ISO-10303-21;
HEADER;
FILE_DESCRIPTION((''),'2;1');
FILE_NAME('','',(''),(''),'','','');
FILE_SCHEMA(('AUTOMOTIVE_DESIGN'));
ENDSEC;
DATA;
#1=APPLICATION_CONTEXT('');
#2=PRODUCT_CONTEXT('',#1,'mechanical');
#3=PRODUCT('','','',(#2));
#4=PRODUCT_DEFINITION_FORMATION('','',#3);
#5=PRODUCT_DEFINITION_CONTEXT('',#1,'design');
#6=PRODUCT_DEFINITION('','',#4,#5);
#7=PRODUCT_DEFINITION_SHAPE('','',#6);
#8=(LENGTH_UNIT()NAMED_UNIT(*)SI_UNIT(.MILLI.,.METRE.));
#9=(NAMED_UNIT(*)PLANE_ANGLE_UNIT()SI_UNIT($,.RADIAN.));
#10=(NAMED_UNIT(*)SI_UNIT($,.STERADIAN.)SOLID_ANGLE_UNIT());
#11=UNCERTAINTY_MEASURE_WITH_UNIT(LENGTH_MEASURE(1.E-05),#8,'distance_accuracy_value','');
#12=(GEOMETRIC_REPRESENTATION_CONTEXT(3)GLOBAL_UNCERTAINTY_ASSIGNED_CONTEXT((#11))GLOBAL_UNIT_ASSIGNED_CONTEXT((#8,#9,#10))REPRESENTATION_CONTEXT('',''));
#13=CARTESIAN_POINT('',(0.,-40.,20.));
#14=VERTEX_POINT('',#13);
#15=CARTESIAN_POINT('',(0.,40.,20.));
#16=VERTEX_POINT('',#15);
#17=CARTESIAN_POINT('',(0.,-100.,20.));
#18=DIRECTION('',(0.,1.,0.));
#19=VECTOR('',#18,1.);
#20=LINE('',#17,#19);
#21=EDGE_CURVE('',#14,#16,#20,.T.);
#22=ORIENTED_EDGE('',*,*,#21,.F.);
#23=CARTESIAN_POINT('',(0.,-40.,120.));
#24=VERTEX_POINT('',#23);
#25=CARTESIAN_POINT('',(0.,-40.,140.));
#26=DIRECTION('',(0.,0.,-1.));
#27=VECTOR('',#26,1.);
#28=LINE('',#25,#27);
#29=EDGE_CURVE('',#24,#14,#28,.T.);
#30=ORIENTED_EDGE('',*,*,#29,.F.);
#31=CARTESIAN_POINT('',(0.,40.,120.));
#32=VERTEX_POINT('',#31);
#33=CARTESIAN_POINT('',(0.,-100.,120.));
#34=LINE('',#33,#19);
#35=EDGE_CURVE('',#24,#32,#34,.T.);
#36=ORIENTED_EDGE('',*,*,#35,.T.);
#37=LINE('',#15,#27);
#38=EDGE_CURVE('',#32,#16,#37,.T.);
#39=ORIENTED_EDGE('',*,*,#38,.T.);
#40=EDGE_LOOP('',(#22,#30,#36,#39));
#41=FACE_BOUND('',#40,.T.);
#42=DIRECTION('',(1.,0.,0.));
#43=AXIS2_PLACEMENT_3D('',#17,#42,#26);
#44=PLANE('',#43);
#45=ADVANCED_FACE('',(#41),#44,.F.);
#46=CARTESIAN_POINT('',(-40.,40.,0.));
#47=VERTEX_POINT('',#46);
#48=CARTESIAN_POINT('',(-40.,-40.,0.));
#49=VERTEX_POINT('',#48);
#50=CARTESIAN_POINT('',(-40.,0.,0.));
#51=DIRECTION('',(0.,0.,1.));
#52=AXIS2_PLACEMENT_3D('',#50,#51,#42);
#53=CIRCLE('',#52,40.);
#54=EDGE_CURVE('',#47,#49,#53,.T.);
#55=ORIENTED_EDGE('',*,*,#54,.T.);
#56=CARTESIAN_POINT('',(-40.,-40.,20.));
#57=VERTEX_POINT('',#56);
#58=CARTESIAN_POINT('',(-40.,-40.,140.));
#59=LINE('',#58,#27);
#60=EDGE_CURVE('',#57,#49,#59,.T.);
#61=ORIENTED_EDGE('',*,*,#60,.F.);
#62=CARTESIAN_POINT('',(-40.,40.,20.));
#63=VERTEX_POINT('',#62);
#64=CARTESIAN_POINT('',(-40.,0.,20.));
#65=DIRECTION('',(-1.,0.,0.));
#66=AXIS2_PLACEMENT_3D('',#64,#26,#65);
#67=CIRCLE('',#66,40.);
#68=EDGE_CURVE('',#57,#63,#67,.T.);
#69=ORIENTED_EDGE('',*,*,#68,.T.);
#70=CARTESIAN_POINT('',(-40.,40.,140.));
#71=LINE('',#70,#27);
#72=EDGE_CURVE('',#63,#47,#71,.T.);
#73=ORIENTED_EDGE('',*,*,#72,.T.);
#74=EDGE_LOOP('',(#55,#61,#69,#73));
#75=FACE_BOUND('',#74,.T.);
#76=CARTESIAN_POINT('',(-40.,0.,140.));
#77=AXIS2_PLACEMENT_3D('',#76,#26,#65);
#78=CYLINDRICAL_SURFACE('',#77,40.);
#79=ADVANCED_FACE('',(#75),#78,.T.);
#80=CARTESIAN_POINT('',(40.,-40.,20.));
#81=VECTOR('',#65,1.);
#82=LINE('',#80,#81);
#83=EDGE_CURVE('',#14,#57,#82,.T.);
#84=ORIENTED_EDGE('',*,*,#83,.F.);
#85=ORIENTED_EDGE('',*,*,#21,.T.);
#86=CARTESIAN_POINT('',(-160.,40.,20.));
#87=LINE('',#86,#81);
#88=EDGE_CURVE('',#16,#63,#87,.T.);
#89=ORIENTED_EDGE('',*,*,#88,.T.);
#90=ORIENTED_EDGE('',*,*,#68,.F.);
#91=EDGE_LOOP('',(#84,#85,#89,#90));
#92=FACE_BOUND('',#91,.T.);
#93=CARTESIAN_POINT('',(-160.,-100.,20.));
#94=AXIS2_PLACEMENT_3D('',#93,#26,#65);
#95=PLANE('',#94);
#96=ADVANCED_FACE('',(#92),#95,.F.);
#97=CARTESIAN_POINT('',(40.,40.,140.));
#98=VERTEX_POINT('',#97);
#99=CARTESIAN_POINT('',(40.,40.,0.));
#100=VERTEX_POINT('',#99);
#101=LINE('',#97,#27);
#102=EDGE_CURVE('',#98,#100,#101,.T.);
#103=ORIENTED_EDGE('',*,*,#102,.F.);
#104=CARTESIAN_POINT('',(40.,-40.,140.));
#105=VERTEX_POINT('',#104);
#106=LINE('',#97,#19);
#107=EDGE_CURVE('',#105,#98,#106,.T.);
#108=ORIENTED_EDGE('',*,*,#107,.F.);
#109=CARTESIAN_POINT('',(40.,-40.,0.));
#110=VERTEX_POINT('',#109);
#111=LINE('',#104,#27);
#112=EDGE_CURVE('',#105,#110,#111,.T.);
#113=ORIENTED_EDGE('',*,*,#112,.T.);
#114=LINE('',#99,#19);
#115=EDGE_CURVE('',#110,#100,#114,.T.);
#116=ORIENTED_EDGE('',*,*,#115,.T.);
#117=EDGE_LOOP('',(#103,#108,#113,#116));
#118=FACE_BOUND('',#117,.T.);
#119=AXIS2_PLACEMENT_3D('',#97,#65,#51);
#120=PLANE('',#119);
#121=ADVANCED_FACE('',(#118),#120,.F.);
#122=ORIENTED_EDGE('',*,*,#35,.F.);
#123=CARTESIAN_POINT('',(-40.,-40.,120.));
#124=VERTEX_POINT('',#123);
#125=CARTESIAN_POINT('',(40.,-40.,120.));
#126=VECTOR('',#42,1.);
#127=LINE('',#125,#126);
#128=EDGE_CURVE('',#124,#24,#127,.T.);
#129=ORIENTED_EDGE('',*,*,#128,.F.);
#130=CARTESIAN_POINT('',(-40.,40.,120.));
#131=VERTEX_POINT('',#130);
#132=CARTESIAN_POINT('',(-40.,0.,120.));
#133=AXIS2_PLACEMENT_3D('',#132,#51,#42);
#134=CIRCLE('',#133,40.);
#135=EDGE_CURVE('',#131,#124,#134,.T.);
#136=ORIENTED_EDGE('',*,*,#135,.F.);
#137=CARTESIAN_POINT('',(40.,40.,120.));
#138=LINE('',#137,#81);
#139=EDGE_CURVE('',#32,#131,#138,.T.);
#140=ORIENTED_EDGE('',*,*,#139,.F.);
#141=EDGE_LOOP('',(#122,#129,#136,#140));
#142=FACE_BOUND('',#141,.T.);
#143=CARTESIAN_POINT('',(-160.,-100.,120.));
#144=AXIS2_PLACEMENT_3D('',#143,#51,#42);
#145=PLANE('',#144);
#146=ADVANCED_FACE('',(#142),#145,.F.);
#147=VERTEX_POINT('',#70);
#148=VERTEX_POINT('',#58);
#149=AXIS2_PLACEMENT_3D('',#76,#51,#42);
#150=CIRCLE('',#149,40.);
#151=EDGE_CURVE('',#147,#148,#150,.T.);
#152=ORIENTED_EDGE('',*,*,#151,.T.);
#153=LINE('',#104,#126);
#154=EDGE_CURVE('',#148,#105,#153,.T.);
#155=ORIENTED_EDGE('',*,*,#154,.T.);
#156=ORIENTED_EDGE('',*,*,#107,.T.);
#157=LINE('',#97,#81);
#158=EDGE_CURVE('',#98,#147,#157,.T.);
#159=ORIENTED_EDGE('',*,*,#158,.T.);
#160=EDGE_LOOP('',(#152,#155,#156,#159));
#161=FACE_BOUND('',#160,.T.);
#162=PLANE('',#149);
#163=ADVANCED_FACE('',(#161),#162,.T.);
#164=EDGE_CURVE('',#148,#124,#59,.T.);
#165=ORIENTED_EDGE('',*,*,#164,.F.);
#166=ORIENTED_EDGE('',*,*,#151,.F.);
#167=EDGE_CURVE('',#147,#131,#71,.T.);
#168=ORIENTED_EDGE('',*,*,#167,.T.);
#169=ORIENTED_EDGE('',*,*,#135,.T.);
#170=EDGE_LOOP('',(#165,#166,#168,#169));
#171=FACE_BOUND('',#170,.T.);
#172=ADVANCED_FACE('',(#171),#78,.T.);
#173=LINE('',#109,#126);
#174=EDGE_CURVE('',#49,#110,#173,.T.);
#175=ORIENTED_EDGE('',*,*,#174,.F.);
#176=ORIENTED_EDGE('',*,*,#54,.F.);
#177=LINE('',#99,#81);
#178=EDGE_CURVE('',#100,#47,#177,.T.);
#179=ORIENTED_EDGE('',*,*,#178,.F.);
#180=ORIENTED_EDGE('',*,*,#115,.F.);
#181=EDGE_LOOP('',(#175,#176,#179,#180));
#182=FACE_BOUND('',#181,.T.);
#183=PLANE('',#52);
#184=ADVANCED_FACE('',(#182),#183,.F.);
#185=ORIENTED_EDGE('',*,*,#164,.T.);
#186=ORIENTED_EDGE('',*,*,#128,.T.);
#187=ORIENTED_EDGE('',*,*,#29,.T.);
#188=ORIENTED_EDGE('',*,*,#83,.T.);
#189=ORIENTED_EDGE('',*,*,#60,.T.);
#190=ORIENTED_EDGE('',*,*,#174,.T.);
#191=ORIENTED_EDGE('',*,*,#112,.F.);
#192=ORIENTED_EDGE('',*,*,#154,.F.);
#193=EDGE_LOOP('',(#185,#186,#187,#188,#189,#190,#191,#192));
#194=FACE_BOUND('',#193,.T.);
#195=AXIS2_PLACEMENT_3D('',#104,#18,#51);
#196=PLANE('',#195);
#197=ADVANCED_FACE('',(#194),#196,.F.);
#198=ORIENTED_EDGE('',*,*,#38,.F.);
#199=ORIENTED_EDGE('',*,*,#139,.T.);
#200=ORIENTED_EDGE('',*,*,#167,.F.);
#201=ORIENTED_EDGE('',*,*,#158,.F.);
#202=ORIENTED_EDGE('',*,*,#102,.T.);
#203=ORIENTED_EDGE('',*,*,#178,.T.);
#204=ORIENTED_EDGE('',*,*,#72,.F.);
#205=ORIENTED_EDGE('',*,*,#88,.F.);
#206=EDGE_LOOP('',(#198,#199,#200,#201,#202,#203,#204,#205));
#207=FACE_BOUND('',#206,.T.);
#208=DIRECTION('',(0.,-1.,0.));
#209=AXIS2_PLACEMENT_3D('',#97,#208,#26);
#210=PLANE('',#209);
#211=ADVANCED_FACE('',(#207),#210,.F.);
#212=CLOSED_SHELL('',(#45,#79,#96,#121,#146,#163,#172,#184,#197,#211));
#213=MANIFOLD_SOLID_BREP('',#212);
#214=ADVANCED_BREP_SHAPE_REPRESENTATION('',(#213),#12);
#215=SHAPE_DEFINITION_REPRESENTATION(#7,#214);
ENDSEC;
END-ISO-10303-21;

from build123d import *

# Parameters (mm, degrees)
ESTRUSIONE_ESTRUSIONE1_DEPTH = 140
SCHIZZO2_W                   = 160
SCHIZZO2_H                   = 100
TAGLIO_ESTRUSIONE1_DEPTH     = 140


with BuildPart() as part:
    # Schizzo1 → Estrusione-Estrusione1 (new body)
    with BuildSketch(Plane.XY):
        with BuildLine():
            Line((40, 40), (-40, 40))
            ThreePointArc((-40, 40), (-80, 0), (-40, -40))
            Line((-40, -40), (40, -40))
            Line((40, -40), (40, 40))
        make_face()
    extrude(amount=ESTRUSIONE_ESTRUSIONE1_DEPTH)

    # Schizzo2 → Taglio-Estrusione1 (cut)
    with BuildSketch(Plane(origin=(0, 40, 0), x_dir=(1, 0, 0), z_dir=(0, 1, 0))):
        with Locations((-80, -70)):
            Rectangle(SCHIZZO2_W, SCHIZZO2_H)
    extrude(amount=-TAGLIO_ESTRUSIONE1_DEPTH, mode=Mode.SUBTRACT)


solid = part.part
